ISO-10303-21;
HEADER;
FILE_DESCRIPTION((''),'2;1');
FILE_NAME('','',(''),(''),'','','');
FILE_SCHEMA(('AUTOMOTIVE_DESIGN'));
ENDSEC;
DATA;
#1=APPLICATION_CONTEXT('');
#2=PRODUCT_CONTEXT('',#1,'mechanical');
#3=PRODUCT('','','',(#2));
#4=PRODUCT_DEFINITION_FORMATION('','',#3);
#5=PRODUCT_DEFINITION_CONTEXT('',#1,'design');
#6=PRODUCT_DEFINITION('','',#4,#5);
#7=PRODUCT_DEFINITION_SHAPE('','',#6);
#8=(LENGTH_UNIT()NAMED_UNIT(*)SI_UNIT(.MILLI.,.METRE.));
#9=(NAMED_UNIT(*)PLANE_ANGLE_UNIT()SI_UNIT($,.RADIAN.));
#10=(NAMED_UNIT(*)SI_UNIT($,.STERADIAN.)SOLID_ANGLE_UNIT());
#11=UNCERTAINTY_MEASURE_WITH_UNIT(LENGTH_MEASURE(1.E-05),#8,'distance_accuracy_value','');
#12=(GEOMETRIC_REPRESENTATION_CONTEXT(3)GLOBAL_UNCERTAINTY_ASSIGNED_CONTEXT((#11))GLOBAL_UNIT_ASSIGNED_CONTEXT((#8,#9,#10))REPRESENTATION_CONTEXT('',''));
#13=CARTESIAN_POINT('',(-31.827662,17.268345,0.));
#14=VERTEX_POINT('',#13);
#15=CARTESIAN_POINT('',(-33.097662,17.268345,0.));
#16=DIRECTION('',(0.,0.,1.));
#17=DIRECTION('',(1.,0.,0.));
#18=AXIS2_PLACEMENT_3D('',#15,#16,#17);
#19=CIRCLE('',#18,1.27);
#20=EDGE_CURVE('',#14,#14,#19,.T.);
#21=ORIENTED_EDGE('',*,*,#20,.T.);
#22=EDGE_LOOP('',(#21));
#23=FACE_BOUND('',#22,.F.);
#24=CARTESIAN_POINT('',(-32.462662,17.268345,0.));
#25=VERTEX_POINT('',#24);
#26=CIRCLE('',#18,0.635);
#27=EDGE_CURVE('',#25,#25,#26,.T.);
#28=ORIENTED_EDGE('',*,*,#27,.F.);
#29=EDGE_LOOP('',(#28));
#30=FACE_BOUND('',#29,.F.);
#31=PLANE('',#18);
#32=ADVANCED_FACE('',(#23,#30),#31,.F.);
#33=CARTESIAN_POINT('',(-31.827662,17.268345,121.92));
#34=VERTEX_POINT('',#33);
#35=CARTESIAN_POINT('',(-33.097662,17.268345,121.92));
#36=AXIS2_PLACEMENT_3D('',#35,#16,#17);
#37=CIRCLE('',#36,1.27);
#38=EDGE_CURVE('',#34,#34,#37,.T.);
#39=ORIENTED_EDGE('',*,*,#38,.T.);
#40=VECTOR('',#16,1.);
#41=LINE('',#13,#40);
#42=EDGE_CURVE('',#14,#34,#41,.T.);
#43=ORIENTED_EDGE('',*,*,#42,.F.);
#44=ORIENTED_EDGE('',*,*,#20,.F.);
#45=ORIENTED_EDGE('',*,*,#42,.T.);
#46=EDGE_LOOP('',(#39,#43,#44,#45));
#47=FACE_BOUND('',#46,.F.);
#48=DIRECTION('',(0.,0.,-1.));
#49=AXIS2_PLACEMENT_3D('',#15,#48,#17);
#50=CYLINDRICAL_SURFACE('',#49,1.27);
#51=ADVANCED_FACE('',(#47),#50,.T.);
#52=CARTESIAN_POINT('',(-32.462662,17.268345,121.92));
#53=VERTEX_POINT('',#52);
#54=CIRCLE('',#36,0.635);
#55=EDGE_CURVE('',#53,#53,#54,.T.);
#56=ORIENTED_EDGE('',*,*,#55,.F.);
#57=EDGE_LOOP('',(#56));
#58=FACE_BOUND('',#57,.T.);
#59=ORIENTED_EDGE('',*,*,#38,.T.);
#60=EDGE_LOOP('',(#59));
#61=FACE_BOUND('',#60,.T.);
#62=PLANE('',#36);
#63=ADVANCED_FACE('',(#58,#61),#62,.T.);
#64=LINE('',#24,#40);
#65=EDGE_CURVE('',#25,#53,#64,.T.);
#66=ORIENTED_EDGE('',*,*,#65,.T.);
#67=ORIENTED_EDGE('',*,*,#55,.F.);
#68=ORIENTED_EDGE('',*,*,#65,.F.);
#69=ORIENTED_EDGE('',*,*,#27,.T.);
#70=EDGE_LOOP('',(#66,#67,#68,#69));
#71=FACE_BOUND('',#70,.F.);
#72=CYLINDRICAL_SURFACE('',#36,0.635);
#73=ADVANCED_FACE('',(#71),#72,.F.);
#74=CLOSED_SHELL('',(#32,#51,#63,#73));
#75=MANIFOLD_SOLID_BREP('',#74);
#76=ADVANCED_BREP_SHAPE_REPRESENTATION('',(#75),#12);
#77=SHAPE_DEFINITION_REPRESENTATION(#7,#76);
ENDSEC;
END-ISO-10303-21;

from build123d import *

# Parameters (mm, degrees)
F0_R          = 1.27
F1_DEPTH      = 121.92
F2_R          = 0.635
F3_DEPTH      = 121.92
F3_DEPTH_BACK = 25.4


with BuildPart() as f1:
    # F0 (on Top) → F1 (new body)
    with BuildSketch(Plane.XY):
        with Locations((-33.097662, 17.268345)):
            Circle(F0_R)
    extrude(amount=F1_DEPTH)

    # F2 (on face) → F3 (cut, two sides)
    with BuildSketch(Plane.XY.offset(121.92)) as f3_sk:
        with Locations((-33.097662, 17.268345)):
            Circle(F2_R)
    extrude(amount=-F3_DEPTH, mode=Mode.SUBTRACT)
    extrude(f3_sk.sketch, amount=-F3_DEPTH_BACK, mode=Mode.SUBTRACT)


solid = f1.part
